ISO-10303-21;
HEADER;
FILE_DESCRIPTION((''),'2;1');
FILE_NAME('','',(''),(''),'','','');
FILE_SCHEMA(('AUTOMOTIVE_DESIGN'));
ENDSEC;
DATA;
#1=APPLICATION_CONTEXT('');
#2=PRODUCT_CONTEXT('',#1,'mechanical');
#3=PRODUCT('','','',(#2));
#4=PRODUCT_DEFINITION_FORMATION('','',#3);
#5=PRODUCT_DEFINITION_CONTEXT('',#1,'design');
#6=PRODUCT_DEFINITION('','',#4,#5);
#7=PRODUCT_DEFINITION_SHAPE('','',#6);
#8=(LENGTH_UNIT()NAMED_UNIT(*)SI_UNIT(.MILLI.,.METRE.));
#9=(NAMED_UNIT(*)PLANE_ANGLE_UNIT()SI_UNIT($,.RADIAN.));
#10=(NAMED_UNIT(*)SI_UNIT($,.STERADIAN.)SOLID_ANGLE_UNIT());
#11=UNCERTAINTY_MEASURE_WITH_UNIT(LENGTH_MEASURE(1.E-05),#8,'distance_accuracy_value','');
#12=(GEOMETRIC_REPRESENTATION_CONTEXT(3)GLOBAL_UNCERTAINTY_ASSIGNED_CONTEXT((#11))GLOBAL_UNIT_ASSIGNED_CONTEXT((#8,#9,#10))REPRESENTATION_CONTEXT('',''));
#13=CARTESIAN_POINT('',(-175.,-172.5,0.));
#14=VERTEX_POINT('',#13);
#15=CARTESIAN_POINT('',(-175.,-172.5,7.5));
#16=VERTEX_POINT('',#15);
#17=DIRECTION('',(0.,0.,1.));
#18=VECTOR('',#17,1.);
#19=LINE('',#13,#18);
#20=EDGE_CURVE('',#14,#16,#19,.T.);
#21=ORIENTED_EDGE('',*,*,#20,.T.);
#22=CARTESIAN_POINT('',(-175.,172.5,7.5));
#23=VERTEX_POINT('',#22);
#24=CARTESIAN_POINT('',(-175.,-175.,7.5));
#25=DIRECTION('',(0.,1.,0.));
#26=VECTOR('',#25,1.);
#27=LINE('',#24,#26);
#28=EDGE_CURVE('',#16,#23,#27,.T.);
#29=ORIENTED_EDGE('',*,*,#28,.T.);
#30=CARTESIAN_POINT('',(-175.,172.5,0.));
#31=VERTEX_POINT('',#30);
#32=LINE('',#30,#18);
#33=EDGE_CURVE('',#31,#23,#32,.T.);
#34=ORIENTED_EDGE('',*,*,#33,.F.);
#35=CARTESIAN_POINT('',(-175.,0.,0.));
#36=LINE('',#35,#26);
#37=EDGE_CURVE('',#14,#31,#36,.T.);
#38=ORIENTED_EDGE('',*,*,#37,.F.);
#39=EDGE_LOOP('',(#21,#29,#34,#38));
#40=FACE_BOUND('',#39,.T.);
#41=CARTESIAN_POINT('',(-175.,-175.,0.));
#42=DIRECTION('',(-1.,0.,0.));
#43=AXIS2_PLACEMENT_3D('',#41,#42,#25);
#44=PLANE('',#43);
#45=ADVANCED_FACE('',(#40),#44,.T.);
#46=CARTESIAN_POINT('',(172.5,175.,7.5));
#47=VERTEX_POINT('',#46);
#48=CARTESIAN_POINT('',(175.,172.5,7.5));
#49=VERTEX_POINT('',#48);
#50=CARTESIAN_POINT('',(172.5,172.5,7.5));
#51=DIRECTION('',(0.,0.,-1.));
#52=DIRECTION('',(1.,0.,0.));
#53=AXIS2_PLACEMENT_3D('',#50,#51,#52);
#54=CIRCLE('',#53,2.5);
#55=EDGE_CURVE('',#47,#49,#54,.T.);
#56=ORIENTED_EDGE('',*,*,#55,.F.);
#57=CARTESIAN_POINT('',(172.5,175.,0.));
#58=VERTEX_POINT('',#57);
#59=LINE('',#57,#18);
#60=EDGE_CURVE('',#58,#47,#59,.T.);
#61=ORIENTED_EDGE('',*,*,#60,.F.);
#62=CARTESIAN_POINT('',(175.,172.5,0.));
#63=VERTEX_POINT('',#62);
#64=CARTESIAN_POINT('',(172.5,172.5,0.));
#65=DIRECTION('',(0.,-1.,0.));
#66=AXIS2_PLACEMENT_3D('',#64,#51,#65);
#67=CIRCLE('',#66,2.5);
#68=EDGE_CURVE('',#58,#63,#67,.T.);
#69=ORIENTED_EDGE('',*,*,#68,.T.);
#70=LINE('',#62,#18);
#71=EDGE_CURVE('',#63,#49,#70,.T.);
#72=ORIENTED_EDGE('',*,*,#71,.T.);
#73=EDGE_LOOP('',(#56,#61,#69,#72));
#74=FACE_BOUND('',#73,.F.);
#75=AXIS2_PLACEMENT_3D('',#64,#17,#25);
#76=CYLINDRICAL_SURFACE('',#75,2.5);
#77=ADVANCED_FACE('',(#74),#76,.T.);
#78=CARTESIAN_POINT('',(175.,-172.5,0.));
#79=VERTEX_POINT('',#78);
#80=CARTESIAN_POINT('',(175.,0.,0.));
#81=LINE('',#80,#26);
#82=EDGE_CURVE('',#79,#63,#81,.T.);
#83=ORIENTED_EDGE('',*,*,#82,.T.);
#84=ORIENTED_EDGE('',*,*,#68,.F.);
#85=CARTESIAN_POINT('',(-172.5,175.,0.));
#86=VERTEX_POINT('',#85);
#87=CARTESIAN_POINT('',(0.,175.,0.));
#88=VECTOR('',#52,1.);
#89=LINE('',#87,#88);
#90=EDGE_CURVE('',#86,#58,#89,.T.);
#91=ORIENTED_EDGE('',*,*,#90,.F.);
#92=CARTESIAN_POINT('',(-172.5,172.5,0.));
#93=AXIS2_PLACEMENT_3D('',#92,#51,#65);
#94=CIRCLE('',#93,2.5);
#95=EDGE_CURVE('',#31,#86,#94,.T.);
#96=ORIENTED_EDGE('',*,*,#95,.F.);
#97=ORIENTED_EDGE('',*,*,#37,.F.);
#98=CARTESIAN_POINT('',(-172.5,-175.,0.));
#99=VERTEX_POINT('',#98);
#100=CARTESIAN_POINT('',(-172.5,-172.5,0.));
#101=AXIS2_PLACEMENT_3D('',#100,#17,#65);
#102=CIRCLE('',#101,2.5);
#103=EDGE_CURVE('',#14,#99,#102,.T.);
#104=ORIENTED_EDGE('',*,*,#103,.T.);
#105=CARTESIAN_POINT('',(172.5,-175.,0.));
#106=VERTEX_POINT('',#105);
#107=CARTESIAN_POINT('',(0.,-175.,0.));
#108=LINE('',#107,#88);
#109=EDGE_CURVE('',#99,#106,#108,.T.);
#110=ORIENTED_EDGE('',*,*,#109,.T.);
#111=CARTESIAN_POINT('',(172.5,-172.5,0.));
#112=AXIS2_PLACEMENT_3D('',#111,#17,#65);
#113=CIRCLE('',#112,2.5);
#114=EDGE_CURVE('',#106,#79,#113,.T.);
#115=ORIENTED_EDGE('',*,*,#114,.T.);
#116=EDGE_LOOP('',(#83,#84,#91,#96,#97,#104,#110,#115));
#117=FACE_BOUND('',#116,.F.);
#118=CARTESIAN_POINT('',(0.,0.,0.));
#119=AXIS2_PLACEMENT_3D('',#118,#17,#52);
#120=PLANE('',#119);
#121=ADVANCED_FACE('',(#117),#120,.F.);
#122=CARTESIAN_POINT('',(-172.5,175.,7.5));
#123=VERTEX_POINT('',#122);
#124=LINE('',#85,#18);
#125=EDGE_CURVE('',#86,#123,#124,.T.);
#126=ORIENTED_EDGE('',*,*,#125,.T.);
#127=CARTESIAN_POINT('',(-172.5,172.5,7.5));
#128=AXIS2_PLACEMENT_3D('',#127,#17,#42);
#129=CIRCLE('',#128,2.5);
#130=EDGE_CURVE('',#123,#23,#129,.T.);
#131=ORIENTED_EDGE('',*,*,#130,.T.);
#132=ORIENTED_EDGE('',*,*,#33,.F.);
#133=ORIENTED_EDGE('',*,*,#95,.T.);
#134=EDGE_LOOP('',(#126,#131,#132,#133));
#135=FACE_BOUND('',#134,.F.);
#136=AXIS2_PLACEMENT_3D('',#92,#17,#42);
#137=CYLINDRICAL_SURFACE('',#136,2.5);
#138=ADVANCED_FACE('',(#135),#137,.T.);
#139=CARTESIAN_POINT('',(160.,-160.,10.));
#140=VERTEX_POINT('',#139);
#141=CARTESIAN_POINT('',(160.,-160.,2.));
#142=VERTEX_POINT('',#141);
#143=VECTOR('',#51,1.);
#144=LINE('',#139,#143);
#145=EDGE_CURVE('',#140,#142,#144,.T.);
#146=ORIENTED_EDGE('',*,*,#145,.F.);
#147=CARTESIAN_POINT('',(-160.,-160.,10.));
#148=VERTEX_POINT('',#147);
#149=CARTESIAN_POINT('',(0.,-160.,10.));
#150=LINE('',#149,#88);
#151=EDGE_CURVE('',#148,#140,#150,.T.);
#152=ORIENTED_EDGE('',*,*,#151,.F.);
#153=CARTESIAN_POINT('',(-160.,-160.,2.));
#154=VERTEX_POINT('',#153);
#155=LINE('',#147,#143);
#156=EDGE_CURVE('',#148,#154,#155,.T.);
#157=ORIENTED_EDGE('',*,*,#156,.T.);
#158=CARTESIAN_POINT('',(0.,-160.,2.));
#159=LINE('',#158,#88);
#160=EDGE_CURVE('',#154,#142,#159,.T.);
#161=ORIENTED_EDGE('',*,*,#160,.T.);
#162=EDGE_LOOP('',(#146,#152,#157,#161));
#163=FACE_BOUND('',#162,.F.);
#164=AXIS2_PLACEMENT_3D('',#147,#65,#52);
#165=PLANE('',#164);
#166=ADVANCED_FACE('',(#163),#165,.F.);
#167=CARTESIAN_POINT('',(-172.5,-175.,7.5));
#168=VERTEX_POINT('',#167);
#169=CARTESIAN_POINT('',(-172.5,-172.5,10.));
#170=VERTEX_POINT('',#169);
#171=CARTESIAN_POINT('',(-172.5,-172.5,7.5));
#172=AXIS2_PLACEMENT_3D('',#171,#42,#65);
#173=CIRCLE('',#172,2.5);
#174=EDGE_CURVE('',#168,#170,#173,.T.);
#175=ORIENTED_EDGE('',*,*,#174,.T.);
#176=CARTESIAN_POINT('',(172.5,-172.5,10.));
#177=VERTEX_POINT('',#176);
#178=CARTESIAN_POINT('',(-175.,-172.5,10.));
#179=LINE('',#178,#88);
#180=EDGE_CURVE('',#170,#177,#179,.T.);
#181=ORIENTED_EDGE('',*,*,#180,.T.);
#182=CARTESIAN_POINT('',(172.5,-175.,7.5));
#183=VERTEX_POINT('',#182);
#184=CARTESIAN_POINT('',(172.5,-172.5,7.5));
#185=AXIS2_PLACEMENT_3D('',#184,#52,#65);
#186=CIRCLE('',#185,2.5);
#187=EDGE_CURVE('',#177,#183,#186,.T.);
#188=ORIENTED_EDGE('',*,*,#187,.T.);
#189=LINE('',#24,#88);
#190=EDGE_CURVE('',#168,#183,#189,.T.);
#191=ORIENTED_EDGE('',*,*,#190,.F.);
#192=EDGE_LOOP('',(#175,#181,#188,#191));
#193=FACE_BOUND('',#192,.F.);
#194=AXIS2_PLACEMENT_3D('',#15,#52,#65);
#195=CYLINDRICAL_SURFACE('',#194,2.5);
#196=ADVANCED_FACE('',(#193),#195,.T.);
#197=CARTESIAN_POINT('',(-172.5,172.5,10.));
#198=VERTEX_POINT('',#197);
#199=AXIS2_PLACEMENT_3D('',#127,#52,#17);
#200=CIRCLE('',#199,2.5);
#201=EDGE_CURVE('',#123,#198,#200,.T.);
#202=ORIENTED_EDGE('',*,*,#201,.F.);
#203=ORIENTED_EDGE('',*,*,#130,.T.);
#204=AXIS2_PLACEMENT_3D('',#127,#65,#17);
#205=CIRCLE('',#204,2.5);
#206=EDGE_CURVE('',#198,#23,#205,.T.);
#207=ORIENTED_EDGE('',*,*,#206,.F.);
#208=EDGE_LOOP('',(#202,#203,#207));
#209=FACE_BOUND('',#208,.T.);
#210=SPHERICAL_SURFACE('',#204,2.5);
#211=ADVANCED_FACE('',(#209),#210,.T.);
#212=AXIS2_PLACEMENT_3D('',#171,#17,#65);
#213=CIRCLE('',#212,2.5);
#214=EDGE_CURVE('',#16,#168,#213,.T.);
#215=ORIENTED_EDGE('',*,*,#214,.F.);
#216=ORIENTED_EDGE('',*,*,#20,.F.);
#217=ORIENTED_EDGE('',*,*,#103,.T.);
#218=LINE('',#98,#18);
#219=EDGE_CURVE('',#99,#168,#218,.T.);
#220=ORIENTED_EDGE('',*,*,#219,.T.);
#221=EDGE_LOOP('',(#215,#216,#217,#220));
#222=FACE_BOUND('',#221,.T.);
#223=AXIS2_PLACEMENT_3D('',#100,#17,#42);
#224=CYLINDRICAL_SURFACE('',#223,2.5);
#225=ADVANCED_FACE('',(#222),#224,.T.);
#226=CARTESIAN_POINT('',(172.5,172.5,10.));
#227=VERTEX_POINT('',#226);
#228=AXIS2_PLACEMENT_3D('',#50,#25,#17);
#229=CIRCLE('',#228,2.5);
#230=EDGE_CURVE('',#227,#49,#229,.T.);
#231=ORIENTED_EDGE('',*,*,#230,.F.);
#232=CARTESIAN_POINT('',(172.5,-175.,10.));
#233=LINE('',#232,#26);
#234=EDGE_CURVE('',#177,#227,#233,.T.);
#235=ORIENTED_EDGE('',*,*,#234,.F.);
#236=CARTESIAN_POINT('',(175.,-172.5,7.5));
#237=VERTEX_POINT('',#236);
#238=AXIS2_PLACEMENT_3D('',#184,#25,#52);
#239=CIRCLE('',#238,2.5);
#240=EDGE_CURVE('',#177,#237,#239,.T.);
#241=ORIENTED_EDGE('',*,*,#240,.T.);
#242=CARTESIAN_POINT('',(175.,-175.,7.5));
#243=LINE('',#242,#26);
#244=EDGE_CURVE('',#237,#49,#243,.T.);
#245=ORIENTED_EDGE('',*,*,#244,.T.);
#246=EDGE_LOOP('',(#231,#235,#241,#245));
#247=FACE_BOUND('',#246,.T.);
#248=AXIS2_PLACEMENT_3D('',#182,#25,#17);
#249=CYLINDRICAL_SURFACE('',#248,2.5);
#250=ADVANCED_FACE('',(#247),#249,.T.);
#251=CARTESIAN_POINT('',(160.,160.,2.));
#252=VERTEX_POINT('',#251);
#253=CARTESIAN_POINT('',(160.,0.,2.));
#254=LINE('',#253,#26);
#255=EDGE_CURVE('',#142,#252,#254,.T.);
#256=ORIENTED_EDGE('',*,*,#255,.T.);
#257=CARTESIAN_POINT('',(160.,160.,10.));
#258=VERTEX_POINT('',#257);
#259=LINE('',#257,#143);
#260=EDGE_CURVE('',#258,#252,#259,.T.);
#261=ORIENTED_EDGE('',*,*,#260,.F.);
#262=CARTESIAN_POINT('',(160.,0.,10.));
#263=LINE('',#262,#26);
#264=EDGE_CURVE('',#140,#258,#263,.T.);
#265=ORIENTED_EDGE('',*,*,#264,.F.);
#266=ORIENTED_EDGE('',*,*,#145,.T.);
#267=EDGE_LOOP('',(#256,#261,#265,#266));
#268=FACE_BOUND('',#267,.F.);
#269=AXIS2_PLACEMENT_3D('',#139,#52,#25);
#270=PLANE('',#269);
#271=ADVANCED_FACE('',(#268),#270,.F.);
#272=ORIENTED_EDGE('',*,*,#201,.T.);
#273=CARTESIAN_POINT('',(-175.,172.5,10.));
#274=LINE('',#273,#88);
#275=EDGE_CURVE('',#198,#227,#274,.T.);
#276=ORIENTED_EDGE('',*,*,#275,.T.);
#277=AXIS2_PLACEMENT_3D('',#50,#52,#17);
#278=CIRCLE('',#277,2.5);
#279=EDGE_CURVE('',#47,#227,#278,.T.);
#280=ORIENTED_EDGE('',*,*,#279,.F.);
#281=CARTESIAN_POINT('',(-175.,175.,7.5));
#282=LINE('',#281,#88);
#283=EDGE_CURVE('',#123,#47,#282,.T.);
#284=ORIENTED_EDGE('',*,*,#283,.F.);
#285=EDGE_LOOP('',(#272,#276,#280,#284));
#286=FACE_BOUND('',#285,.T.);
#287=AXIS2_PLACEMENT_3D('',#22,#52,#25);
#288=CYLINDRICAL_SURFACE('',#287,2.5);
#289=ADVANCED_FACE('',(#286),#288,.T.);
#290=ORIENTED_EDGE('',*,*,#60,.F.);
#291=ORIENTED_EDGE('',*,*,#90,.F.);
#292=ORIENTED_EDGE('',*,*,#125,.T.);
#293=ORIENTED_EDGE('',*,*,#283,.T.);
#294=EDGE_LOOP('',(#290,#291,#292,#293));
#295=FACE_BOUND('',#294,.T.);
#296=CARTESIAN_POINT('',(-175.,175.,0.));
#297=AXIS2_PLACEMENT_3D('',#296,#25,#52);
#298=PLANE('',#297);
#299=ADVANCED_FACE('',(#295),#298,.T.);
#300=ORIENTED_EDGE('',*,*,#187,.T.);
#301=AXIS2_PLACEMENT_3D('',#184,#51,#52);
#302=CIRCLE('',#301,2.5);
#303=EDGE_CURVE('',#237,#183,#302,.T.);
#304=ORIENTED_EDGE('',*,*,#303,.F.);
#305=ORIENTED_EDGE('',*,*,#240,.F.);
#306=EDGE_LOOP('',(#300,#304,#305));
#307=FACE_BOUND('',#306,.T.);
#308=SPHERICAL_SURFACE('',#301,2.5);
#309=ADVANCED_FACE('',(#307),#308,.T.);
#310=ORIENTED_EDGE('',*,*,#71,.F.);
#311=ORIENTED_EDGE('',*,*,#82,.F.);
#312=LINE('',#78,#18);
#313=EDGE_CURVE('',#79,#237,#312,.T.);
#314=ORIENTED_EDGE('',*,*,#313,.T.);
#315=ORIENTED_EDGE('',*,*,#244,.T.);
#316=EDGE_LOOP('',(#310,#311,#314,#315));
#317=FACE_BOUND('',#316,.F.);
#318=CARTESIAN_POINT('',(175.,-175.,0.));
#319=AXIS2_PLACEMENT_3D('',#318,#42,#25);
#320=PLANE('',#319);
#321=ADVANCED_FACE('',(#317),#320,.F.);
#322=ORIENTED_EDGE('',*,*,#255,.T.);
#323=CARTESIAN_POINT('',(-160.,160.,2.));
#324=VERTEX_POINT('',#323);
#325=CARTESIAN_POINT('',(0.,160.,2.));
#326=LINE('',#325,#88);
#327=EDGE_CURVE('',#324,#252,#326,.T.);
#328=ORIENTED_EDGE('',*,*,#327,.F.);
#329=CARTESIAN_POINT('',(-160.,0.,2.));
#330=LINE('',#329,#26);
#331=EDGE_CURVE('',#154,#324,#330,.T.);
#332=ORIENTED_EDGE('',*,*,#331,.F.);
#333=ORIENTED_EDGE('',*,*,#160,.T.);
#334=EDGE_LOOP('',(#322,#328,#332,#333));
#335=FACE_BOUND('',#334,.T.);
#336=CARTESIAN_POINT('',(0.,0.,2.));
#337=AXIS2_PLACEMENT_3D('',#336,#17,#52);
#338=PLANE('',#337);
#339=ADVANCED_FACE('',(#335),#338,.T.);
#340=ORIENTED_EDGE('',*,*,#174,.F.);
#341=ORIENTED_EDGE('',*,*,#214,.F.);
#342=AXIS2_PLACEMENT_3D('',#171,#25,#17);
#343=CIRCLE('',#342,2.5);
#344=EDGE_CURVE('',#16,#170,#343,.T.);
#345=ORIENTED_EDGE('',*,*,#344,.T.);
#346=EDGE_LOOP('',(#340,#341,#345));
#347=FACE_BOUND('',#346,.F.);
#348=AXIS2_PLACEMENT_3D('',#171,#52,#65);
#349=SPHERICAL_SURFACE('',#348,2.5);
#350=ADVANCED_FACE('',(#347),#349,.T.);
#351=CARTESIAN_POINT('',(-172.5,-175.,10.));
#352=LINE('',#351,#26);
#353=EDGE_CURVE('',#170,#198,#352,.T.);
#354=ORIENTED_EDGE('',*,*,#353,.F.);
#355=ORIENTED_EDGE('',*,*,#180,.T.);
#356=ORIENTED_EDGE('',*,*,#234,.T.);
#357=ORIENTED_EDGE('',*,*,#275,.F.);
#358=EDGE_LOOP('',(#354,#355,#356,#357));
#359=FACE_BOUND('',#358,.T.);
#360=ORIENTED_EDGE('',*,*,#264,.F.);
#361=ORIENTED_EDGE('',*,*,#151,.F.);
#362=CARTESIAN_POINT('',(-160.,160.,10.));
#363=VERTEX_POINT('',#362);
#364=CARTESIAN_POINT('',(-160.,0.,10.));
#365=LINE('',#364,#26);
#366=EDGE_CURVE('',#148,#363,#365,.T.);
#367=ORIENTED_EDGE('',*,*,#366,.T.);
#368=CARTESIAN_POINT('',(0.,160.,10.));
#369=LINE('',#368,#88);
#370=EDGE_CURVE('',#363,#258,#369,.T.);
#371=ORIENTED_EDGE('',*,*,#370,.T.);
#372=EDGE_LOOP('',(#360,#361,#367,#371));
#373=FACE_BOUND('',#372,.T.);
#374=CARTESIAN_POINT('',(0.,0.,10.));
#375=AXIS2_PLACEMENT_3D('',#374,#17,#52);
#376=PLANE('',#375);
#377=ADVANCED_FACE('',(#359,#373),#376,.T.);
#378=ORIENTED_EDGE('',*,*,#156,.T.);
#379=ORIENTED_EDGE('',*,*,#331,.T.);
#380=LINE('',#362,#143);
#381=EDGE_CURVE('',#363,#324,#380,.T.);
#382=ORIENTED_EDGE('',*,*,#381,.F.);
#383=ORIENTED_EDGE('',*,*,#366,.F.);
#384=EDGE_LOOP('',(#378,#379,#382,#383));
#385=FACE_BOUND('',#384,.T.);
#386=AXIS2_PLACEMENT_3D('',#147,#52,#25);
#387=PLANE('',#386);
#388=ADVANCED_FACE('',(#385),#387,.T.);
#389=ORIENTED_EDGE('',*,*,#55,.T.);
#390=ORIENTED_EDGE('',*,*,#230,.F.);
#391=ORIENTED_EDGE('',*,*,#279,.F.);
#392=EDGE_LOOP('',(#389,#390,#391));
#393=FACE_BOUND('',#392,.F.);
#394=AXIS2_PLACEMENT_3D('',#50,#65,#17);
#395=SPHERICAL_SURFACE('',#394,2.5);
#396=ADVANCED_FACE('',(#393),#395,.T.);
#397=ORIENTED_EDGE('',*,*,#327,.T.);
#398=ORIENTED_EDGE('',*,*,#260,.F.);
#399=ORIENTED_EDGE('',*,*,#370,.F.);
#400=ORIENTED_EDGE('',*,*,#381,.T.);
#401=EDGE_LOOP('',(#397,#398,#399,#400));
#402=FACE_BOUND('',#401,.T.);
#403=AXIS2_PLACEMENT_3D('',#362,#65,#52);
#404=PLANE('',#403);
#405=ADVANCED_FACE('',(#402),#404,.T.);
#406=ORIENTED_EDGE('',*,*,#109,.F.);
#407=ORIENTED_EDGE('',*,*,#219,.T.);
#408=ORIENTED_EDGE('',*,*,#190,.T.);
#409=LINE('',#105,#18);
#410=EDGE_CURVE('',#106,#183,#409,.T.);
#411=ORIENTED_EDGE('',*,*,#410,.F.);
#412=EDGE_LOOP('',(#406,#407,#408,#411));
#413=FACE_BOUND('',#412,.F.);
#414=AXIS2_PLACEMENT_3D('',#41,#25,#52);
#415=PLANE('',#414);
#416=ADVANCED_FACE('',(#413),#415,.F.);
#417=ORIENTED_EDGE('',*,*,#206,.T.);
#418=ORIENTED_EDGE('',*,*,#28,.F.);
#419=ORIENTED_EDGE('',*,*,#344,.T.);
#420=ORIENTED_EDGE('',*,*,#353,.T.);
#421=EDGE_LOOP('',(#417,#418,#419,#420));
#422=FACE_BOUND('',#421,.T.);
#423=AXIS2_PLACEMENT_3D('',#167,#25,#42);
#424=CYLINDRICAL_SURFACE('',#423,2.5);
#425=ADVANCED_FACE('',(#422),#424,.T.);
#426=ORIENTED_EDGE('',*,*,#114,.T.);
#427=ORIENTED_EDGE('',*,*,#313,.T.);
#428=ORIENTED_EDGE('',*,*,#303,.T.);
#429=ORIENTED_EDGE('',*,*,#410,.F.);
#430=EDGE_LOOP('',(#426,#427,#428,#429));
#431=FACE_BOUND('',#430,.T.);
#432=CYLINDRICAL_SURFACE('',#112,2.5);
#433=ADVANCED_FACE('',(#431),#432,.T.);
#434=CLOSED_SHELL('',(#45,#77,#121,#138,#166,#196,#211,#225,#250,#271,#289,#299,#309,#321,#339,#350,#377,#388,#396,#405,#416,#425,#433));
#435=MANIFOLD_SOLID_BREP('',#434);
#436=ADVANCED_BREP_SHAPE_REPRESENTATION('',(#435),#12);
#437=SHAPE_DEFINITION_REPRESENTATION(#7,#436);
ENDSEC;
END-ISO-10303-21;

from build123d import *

# Parameters (mm, degrees)
F0_W     = 350
F0_H     = 350
F1_DEPTH = 10
F2_W     = 320
F2_H     = 320
F3_DEPTH = 8
F4_R     = 2.5


with BuildPart() as f1:
    # F0 (on Top) → F1 (new body)
    with BuildSketch(Plane.XY):
        Rectangle(F0_W, F0_H)
    extrude(amount=F1_DEPTH)

    # F2 (on face) → F3 (cut)
    with BuildSketch(Plane.XY.offset(10)):
        Rectangle(F2_W, F2_H)
    extrude(amount=-F3_DEPTH, mode=Mode.SUBTRACT)

    # F4
    f4_edges = [f1.edges().sort_by_distance(p)[0] for p in [
        (175, -175, 5),
        (175, 0, 10),
        (0, -175, 10),
        (-175, -175, 5),
        (-175, 0, 10),
        (0, 175, 10),
        (-175, 175, 5),
        (175, 175, 5),
    ]]
    fillet(f4_edges, radius=F4_R)


solid = f1.part
